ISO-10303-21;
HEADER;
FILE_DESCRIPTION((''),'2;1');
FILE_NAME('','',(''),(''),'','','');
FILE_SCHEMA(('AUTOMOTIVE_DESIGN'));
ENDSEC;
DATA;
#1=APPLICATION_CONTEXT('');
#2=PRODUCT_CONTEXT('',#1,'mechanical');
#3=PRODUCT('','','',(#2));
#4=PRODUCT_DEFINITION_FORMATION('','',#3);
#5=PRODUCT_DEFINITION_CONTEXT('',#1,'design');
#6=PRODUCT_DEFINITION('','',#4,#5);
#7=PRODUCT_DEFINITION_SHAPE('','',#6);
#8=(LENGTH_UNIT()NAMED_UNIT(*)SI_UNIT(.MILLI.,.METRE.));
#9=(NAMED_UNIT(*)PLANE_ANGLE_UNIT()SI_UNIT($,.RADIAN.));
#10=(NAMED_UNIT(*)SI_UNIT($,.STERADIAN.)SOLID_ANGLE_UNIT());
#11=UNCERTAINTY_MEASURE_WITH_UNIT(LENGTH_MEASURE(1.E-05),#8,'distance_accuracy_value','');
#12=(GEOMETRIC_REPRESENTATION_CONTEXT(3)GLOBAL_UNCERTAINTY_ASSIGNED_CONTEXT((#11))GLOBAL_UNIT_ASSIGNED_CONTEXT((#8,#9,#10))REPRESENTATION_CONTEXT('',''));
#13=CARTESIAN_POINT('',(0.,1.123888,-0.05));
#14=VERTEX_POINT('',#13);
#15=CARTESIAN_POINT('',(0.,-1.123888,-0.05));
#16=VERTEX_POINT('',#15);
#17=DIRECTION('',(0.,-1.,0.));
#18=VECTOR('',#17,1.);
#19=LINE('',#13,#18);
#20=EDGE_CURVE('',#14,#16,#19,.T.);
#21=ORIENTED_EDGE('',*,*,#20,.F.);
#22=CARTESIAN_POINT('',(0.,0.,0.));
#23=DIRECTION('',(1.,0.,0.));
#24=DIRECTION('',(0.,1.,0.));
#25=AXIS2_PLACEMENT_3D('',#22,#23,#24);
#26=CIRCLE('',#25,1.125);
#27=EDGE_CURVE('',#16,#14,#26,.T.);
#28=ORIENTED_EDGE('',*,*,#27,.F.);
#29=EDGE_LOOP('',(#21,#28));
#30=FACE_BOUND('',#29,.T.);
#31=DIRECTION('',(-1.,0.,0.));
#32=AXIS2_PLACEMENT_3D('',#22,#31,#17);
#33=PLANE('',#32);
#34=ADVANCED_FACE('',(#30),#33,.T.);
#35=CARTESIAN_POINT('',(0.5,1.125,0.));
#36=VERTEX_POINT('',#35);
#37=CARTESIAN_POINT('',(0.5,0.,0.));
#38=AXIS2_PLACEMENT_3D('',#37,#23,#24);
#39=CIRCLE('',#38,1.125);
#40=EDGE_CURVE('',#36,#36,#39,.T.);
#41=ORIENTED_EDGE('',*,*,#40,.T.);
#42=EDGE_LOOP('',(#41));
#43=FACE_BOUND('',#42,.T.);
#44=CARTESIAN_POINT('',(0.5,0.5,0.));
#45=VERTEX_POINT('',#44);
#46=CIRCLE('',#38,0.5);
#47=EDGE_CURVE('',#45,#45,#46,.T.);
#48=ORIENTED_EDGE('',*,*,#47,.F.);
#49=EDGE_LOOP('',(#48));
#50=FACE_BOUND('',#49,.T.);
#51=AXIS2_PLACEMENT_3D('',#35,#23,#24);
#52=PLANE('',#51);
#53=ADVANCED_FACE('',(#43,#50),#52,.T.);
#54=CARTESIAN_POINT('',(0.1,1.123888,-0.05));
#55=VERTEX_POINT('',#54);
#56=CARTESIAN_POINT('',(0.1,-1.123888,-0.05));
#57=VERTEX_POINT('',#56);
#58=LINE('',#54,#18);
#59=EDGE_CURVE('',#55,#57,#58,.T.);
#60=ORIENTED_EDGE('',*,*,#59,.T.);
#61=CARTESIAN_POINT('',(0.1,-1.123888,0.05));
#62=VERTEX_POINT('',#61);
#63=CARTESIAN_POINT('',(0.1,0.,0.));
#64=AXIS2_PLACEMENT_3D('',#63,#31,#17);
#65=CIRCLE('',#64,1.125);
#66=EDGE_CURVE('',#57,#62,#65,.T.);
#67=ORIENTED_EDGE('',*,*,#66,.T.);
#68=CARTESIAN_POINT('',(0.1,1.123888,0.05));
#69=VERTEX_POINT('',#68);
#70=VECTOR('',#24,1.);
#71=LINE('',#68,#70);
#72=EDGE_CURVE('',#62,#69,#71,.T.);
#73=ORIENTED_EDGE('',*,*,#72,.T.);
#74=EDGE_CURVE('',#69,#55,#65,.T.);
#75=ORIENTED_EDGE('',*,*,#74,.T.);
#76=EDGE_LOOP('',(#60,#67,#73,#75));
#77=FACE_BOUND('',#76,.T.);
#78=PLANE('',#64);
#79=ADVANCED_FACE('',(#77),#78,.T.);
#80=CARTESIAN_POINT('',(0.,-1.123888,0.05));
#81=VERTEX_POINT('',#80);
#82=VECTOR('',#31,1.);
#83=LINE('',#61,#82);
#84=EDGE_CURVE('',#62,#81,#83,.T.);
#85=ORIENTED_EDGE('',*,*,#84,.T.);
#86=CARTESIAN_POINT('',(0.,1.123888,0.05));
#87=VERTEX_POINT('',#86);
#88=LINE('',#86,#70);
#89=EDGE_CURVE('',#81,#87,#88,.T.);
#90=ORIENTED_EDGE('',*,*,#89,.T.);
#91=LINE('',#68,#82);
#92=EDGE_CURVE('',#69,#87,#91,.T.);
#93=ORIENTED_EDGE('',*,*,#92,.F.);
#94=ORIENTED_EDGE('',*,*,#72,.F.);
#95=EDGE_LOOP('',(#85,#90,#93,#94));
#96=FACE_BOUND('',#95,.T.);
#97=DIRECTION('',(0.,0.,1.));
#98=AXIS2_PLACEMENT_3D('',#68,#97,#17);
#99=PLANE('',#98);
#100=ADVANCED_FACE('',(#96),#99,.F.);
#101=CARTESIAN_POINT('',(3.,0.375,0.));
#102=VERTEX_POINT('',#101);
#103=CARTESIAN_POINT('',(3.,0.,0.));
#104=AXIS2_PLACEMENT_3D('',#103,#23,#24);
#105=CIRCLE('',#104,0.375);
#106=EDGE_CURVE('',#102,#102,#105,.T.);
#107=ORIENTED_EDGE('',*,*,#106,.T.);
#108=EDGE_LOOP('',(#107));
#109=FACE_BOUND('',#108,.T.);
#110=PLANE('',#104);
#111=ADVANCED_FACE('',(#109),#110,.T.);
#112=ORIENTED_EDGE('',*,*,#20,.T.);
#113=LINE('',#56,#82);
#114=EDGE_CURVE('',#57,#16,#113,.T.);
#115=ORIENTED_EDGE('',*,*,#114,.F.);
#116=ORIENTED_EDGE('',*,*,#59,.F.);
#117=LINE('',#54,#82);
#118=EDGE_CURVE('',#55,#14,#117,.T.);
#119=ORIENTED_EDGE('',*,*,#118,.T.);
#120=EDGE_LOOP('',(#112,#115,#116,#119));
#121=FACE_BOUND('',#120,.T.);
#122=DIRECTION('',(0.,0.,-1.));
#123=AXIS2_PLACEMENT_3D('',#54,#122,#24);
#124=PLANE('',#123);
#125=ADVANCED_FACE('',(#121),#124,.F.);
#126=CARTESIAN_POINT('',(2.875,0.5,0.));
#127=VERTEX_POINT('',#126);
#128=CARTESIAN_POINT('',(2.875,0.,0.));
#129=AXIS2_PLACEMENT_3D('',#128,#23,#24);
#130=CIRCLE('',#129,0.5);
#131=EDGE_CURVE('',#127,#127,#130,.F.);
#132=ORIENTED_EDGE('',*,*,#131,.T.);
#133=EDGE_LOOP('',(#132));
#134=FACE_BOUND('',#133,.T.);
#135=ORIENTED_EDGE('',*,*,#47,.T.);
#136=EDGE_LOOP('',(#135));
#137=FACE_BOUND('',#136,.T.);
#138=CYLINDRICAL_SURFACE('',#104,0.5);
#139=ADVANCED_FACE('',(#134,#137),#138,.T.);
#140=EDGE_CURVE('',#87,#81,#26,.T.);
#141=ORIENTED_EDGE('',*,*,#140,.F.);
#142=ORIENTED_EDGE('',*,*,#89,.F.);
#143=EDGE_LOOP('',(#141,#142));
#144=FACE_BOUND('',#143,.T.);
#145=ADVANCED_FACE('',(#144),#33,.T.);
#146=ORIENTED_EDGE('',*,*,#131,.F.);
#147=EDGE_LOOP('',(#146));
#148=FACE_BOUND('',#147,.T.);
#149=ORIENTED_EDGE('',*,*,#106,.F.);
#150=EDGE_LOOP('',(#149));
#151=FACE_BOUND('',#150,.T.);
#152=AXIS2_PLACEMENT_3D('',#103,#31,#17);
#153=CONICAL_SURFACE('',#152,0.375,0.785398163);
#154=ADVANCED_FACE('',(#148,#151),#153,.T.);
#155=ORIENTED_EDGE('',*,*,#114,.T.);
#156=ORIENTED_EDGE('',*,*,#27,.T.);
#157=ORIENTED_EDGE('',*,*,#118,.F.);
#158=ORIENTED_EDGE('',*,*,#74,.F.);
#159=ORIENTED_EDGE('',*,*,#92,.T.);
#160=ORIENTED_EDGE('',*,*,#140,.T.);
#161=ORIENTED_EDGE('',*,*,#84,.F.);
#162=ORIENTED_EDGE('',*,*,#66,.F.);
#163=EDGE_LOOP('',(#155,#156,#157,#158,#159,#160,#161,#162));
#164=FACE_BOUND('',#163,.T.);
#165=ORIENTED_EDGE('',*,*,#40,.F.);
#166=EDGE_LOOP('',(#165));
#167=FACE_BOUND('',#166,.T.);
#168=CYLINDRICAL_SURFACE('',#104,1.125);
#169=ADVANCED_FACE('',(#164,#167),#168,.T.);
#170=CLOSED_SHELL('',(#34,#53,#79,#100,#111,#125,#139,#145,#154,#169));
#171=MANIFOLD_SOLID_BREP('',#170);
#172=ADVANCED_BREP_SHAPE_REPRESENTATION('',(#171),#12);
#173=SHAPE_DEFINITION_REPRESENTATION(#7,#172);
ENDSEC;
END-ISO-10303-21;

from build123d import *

# Parameters (mm, degrees)
CHAFL_N1_SIZE         = 0.125
CORTAR_EXTRUIR2_DEPTH = 0.1


with BuildPart() as part:
    # Croquis1 → Revolución1 (revolve)
    with BuildSketch(Plane.XY):
        Polygon((0, 0), (0, 1.125), (0.5, 1.125), (0.5, 0.5), (3, 0.5), (3, 0), align=None)
    revolve(axis=Axis((3, 0, 0), (-1, 0, 0)))

    # Chaflán1
    chafl_n1_edges = [part.edges().sort_by_distance(p)[0] for p in [
        (3, -0.5, 0),
    ]]
    chamfer(chafl_n1_edges, length=CHAFL_N1_SIZE)

    # Croquis6 → Cortar-Extruir2 (cut)
    with BuildSketch(Plane.ZY):
        with BuildLine():
            Line((-0.05, 1.12388834), (-0.05, -1.12388834))
            ThreePointArc((-0.05, -1.12388834), (0, -1.125), (0.05, -1.12388834))
            Line((0.05, -1.12388834), (0.05, 1.12388834))
            ThreePointArc((0.05, 1.12388834), (0, 1.125), (-0.05, 1.12388834))
        make_face()
    extrude(amount=-CORTAR_EXTRUIR2_DEPTH, mode=Mode.SUBTRACT)


solid = part.part
